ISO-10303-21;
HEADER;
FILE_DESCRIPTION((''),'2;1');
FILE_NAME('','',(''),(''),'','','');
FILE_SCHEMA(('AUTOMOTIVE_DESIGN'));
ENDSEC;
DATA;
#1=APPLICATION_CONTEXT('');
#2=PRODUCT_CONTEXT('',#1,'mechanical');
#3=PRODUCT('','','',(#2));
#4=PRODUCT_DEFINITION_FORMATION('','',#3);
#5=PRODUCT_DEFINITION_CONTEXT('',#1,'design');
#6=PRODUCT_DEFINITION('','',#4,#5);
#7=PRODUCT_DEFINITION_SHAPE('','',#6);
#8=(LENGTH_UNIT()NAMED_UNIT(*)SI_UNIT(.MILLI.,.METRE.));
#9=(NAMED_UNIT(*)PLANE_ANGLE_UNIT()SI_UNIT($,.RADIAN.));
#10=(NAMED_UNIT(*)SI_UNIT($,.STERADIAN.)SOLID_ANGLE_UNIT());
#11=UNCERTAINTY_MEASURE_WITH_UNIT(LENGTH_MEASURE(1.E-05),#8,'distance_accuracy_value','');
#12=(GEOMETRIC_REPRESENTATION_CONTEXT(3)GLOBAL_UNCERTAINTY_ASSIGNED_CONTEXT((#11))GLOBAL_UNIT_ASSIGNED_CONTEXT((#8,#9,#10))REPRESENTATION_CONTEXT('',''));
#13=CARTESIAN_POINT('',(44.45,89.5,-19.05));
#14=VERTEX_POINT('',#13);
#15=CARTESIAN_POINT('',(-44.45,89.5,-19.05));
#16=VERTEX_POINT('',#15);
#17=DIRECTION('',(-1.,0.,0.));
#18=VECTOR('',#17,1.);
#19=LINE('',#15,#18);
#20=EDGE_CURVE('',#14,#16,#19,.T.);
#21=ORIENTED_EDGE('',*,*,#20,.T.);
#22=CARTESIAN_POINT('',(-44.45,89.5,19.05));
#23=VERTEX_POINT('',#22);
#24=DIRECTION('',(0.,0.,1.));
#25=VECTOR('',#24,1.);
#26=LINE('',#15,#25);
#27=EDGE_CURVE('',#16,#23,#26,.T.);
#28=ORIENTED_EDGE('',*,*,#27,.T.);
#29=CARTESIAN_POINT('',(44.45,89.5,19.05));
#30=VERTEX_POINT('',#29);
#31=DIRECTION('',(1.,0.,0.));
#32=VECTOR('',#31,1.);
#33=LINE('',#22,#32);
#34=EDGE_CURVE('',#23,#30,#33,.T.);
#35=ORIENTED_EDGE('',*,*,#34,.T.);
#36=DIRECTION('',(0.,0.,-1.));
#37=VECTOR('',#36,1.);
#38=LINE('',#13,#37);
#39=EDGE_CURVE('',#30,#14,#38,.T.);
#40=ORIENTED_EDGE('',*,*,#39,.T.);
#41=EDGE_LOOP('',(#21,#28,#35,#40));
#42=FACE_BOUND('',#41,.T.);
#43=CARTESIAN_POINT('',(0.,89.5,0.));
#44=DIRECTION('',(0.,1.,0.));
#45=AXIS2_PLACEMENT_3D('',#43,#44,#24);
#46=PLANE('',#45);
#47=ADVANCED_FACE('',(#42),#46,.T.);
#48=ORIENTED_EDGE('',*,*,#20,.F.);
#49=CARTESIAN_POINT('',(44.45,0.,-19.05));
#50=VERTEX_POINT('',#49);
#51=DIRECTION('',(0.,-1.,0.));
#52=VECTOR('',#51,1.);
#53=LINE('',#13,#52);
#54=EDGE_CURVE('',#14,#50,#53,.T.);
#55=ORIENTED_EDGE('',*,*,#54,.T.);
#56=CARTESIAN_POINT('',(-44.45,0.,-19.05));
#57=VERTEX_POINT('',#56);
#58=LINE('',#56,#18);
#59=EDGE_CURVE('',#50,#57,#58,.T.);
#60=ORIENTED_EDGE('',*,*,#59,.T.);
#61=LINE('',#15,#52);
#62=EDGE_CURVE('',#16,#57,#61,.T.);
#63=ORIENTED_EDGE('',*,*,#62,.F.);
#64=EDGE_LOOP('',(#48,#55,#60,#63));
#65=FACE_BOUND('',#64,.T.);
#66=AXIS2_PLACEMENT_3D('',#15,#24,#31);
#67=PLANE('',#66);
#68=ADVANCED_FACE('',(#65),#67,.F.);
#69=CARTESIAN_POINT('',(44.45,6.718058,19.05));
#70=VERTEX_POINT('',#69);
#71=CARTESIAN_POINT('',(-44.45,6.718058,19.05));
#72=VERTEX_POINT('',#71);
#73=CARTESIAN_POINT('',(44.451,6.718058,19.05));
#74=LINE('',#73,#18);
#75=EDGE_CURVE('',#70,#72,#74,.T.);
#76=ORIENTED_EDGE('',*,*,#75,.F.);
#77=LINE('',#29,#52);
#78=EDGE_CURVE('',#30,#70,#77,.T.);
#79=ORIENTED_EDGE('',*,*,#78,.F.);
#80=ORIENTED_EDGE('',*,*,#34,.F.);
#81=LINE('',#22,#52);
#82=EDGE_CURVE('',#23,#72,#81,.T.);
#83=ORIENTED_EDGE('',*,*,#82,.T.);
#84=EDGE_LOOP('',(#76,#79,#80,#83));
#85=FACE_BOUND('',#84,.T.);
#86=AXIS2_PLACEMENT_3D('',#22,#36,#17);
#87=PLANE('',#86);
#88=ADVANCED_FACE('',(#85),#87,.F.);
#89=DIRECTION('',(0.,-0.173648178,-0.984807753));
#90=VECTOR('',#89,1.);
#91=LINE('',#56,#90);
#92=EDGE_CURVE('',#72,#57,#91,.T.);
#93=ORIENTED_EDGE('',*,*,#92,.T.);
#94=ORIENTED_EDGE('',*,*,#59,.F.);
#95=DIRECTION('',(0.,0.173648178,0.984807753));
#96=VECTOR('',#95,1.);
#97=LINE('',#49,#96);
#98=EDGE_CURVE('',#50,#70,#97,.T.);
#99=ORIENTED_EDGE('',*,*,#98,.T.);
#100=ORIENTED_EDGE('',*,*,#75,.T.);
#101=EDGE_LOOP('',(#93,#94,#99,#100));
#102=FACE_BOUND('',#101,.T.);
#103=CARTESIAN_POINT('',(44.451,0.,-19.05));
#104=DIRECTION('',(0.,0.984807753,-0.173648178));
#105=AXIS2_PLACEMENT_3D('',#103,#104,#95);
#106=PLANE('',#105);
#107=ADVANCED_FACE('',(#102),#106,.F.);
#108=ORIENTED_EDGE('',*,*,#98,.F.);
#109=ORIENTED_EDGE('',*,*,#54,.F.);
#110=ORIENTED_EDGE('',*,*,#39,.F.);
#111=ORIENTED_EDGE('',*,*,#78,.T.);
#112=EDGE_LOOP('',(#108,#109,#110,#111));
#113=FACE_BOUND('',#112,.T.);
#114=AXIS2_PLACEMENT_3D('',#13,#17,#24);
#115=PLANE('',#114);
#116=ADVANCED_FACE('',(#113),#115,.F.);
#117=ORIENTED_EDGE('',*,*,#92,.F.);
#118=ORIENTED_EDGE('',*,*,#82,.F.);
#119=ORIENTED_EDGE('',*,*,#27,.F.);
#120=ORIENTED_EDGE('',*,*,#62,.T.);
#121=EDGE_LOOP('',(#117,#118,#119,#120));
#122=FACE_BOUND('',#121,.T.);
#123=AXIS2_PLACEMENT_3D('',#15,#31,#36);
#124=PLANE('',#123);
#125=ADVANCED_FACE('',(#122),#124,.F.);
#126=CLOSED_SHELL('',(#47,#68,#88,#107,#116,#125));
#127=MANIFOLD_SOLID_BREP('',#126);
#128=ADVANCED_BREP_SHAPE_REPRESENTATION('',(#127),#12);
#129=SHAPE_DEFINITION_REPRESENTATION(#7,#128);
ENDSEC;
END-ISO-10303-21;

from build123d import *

# Parameters (mm, degrees)
SKETCH1_W           = 88.9
SKETCH1_H           = 38.1
BOSS_EXTRUDE1_DEPTH = 89.5
CUT_EXTRUDE1_REACH  = 129.579


with BuildPart() as part:
    # Sketch1 → Boss-Extrude1 (new body)
    with BuildSketch(Plane(origin=(0, 0, 0), x_dir=(1, 0, 0), z_dir=(0, 1, 0))):
        Rectangle(SKETCH1_W, SKETCH1_H)
    extrude(amount=BOSS_EXTRUDE1_DEPTH)

    # Sketch2 → Cut-Extrude1 (cut, up to next)
    with BuildSketch(Plane.ZY.offset(44.45), mode=Mode.PRIVATE) as cut_extrude1_sk1:
        Polygon((-19.05, 0), (19.05, 6.718057965), (19.05, 0), align=None)
    cut_extrude1_tool1 = extrude(cut_extrude1_sk1.sketch, amount=-CUT_EXTRUDE1_REACH, mode=Mode.PRIVATE) & part.part
    add(cut_extrude1_tool1.solids().sort_by_distance((-44.45, 2.239353, 6.35))[0], mode=Mode.SUBTRACT)


solid = part.part
